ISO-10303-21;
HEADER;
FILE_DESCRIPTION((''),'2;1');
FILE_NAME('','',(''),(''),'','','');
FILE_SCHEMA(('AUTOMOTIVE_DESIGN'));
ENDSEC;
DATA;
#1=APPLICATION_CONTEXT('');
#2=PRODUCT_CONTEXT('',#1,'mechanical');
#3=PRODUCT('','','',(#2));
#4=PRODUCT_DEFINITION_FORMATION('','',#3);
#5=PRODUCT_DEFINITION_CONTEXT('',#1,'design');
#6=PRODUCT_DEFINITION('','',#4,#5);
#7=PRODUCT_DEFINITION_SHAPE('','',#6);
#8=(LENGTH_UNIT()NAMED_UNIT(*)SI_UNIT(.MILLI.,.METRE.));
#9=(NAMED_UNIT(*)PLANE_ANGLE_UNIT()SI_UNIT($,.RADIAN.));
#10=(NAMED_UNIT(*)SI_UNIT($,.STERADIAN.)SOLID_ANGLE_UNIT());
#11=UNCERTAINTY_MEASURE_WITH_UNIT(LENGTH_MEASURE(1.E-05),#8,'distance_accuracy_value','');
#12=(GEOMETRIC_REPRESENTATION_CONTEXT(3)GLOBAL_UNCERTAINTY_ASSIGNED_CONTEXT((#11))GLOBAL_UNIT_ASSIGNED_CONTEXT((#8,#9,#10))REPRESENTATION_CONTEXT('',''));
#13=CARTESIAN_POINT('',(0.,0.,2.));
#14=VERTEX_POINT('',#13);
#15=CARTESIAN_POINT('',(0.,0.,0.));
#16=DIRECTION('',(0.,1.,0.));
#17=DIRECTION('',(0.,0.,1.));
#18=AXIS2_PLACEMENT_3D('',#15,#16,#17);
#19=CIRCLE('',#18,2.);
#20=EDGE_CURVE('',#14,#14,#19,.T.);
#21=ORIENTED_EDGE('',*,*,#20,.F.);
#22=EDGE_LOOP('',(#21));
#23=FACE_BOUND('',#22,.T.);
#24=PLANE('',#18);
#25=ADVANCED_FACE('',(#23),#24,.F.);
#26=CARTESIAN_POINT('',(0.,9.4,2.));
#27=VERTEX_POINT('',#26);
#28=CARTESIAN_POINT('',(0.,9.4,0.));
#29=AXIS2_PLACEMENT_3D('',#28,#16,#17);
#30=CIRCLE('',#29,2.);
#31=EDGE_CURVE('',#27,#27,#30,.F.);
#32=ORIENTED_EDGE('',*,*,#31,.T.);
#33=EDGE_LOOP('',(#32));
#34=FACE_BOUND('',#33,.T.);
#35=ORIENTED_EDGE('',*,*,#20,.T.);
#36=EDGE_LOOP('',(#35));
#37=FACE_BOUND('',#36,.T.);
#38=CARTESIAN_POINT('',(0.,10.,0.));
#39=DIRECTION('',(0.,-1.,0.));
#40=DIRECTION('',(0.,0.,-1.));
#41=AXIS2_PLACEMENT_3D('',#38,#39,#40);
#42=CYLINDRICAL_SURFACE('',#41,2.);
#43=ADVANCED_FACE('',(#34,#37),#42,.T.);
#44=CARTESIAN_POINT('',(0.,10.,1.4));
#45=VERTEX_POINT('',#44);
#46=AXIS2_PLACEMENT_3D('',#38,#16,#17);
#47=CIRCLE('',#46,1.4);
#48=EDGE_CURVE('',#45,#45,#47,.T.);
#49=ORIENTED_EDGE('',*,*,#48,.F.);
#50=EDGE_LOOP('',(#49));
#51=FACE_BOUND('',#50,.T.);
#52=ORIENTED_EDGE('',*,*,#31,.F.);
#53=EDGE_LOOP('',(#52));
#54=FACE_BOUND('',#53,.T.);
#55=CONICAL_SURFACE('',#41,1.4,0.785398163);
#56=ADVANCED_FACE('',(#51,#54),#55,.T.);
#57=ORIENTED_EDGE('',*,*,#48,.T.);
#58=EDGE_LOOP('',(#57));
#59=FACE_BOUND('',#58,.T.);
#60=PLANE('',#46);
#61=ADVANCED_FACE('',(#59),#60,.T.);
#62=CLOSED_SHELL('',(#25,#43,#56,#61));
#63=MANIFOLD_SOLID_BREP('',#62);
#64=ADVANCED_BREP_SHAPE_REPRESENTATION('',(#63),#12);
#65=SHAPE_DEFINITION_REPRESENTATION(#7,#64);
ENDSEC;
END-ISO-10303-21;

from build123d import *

# Parameters (mm, degrees)
SKETCH_1_R      = 2
EXTRUDE_1_DEPTH = 10
CHAMFER_1_SIZE  = 0.6


with BuildPart() as part:
    # Эскиз1 → Бобышка-Вытянуть1 (new body)
    with BuildSketch(Plane(origin=(0, 0, 0), x_dir=(1, 0, 0), z_dir=(0, 1, 0))):
        with Locations(Location((0, 0, 0), (0, 0, 270))):
            Circle(SKETCH_1_R)
    extrude(amount=EXTRUDE_1_DEPTH)

    # Фаска1
    chamfer_1_edges = [part.edges().sort_by_distance(p)[0] for p in [
        (0, 10, -2),
    ]]
    chamfer(chamfer_1_edges, length=CHAMFER_1_SIZE)


solid = part.part
